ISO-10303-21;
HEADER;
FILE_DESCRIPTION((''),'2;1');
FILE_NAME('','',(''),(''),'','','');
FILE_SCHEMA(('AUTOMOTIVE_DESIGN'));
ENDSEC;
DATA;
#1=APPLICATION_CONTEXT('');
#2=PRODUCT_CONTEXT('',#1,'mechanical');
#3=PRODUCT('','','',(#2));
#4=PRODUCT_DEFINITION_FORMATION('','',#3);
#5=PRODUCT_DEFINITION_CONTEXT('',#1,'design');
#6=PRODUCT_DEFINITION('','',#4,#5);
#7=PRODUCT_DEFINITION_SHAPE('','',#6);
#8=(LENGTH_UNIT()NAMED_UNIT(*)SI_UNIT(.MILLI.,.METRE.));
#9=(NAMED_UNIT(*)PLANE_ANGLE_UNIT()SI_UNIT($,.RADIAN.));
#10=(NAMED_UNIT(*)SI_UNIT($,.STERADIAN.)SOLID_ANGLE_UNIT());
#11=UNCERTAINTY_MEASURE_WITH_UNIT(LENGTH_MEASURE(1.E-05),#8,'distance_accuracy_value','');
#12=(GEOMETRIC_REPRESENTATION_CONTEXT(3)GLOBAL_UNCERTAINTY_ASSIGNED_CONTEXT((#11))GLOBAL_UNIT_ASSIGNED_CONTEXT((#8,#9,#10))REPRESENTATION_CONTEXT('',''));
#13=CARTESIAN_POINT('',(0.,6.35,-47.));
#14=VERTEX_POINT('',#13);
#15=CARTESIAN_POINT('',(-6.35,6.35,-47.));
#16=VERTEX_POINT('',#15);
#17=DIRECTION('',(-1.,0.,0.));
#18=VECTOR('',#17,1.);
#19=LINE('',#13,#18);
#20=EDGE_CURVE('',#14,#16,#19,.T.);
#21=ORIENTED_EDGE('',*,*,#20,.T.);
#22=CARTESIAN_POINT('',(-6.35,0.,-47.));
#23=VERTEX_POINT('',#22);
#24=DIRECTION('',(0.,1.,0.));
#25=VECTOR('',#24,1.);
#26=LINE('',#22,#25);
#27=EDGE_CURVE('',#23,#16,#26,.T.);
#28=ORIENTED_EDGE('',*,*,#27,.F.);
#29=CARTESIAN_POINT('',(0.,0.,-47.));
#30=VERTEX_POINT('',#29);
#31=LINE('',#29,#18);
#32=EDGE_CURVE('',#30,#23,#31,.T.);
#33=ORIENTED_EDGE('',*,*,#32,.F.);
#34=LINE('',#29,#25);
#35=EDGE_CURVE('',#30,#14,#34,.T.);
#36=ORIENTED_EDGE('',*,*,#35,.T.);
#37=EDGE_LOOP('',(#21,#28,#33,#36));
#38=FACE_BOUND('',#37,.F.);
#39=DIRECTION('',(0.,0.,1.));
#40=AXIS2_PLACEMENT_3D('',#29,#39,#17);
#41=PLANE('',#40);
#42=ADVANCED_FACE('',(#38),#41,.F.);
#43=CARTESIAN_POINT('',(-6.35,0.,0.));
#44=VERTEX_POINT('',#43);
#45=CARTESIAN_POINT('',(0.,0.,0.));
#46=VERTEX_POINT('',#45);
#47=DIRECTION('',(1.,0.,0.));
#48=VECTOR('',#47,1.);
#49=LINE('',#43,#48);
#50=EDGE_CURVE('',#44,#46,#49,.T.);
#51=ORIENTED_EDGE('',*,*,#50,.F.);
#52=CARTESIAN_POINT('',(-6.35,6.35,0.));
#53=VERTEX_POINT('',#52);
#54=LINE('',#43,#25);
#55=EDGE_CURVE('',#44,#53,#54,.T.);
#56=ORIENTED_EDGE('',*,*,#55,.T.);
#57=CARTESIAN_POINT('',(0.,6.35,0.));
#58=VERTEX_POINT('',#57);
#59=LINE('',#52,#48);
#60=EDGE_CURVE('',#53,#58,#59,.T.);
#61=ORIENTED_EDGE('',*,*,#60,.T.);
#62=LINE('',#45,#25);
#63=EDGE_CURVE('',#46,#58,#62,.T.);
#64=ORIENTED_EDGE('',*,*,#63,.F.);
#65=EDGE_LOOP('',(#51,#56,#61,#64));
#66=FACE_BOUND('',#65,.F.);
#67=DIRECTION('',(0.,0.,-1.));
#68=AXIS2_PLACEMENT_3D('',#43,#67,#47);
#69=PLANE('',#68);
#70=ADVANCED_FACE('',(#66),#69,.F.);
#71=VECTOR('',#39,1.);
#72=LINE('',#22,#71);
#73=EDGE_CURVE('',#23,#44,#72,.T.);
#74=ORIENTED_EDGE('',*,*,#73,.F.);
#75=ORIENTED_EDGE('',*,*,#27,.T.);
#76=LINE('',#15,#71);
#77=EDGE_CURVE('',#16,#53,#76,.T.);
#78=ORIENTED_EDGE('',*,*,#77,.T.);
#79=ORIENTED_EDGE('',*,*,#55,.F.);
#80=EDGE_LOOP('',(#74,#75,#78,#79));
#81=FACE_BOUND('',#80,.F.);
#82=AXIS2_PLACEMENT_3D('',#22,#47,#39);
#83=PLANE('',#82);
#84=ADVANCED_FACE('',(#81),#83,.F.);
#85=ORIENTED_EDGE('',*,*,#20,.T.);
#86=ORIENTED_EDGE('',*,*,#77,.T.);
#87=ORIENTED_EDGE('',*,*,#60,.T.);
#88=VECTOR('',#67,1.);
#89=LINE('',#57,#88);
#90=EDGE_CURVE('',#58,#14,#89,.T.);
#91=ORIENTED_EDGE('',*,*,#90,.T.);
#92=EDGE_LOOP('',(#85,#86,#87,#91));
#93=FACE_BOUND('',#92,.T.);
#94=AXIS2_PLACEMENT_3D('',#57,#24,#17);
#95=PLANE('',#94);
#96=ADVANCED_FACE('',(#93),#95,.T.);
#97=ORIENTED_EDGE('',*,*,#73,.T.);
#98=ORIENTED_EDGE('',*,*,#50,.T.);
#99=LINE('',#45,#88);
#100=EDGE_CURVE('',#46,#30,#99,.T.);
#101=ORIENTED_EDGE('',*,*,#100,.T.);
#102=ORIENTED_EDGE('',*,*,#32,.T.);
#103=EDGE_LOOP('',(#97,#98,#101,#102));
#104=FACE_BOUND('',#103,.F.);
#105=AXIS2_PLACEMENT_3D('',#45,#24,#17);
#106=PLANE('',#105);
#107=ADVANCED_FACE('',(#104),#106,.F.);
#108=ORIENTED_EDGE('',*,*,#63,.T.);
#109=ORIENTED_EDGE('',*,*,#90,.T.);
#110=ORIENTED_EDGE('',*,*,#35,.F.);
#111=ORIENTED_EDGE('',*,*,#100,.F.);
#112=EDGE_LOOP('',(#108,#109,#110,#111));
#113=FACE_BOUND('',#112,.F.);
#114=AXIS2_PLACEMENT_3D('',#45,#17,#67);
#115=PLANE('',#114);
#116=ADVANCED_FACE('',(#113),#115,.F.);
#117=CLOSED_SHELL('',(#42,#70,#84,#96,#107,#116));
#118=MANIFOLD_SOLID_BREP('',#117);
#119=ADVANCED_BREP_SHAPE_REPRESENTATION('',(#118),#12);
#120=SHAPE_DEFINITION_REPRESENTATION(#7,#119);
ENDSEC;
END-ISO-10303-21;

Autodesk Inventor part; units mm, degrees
ref_plane "YZ Plane" through (0, 0, 0) normal (1, 0, 0) x (0, 1, 0)
ref_plane "XZ Plane" through (0, 0, 0) normal (0, 1, 0) x (-1, 0, 0)
ref_plane "XY Plane" through (0, 0, 0) normal (0, 0, 1) x (1, 0, 0)
sketch "Sketch1" plane through (0, 0, 0) normal (0, 1, 0) x (-1, 0, 0)
  line L0 (0, 0) -> (0, -47)
  line L1 (0, -47) -> (6.35, -47)
  line L2 (6.35, -47) -> (6.35, 0)
  line L3 (6.35, 0) -> (0, 0)
  dimension "d0" = 47
  dimension "d1" = 6.35
extrude "Extrusion1" add sketch "Sketch1" along normal blind 6.35
properties part number "LittleConnection"
